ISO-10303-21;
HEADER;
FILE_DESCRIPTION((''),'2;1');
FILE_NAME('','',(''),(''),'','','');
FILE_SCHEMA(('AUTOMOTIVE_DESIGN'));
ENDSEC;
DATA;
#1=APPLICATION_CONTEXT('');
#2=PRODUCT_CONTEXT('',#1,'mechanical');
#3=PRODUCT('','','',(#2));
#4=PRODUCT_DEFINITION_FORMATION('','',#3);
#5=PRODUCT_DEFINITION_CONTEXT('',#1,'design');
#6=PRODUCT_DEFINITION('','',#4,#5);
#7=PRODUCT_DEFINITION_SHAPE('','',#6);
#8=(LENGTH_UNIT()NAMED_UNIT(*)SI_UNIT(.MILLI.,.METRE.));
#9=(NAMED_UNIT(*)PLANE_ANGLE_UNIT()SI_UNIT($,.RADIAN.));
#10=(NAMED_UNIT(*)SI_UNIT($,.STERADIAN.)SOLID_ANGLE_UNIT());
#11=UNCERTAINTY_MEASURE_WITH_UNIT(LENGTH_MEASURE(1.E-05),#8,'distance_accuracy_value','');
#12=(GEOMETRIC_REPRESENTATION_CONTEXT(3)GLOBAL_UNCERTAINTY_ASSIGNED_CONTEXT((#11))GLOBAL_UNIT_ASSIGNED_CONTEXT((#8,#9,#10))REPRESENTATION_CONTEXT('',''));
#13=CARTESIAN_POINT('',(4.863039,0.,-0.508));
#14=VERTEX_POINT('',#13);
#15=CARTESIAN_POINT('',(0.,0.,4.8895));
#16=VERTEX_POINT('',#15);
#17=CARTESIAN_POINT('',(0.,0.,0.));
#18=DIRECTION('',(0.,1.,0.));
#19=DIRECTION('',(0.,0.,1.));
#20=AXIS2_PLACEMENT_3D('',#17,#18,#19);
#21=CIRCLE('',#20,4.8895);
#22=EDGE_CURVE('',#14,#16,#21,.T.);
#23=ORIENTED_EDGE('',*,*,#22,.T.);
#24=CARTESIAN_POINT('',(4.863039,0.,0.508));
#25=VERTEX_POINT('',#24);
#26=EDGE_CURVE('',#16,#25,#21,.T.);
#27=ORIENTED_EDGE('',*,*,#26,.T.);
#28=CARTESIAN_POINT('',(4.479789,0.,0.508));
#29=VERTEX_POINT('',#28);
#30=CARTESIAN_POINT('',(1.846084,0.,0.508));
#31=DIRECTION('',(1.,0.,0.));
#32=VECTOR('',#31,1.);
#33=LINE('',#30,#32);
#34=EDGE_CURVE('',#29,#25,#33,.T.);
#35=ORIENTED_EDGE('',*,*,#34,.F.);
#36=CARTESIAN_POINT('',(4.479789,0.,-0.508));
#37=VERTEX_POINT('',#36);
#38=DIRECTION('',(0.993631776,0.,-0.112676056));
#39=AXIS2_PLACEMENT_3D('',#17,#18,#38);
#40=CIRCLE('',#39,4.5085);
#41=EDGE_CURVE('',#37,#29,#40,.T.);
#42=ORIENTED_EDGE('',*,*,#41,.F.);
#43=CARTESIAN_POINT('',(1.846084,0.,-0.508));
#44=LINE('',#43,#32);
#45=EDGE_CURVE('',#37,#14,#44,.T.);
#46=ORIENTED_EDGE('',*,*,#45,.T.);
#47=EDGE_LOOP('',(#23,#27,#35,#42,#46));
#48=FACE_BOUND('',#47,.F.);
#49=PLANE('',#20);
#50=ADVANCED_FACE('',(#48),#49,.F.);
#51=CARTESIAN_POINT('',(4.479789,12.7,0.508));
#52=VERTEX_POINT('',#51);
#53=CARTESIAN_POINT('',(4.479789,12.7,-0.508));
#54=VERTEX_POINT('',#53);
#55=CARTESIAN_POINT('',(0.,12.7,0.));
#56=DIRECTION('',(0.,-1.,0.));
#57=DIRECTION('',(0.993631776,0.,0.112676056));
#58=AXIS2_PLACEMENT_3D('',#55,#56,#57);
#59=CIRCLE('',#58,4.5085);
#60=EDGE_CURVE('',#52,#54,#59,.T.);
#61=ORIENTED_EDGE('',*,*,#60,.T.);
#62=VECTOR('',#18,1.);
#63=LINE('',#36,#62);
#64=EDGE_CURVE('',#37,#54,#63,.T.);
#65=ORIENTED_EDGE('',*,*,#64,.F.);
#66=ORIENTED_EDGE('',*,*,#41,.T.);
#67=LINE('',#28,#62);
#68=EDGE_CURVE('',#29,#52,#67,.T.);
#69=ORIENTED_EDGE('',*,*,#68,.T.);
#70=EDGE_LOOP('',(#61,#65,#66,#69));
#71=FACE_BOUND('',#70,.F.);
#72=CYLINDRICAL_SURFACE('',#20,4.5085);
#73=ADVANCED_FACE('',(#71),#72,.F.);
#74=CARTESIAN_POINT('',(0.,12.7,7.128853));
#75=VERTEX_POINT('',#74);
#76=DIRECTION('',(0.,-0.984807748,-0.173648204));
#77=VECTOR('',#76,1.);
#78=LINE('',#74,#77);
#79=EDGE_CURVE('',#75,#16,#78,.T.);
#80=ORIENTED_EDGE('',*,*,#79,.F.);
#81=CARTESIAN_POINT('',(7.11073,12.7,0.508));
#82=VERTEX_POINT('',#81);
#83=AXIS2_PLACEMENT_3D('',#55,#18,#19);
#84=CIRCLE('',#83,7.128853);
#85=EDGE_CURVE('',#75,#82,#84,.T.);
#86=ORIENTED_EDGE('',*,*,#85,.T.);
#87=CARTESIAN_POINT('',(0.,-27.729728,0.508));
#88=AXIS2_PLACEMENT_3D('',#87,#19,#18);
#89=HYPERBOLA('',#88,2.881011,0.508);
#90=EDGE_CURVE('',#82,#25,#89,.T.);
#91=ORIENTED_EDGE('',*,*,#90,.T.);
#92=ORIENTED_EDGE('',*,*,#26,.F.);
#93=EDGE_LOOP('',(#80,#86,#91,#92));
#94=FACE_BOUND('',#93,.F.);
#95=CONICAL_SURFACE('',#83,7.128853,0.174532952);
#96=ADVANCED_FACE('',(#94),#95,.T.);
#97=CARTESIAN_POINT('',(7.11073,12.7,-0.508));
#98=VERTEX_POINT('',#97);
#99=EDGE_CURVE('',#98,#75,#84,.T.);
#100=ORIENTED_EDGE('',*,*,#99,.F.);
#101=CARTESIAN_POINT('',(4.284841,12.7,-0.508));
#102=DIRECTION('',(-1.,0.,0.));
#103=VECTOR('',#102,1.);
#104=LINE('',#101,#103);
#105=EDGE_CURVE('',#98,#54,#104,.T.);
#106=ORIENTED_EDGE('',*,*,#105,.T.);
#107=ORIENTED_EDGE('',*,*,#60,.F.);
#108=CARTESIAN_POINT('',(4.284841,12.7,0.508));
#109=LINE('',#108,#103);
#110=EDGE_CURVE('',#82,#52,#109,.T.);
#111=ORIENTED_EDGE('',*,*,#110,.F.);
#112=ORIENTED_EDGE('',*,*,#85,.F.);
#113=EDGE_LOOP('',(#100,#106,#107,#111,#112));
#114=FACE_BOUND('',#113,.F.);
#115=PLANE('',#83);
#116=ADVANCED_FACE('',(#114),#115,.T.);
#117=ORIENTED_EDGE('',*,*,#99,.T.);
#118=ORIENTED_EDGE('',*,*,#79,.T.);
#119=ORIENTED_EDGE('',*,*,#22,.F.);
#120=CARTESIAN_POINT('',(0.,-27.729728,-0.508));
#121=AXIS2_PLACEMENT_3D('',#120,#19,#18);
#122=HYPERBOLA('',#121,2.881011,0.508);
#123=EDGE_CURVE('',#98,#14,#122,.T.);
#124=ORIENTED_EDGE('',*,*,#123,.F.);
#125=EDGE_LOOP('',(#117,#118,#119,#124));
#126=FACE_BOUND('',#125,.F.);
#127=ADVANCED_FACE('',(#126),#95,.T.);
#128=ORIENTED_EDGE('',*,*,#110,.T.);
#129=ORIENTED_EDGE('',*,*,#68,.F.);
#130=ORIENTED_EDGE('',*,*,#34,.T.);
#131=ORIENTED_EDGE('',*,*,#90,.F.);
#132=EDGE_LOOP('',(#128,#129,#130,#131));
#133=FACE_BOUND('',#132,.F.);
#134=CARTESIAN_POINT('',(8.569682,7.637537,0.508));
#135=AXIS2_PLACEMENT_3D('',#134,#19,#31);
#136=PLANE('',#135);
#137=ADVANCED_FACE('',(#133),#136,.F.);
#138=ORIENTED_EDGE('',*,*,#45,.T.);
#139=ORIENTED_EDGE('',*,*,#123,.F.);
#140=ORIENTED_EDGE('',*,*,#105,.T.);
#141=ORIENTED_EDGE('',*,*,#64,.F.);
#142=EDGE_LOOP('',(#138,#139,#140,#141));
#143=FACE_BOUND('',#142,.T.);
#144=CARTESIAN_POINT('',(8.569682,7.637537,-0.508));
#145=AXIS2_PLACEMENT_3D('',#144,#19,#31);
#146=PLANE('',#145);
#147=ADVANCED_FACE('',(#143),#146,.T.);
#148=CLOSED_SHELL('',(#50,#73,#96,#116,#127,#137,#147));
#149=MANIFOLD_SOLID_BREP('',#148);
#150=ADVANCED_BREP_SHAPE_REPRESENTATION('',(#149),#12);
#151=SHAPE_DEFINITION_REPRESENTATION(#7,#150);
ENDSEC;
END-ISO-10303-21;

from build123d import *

# Parameters (mm, degrees)
F3_DEPTH = 0.508


with BuildPart() as f1:
    # F0 (on Right) → F1 (revolve)
    with BuildSketch(Plane.YZ):
        Polygon((12.7, 7.128853), (0, 4.8895), (0, 4.5085), (12.7, 4.5085), align=None)
    revolve(axis=Axis((0, 6.35, 0), (0, 1, 0)))

    # F2 (on Top) → F3 (cut, symmetric)
    with BuildSketch(Plane.XY):
        Polygon((15.353079, 15.146448), (1.846084, 15.401297), (1.846084, 0), (15.353079, 0), align=None)
    extrude(amount=F3_DEPTH, both=True, mode=Mode.SUBTRACT)


solid = f1.part
